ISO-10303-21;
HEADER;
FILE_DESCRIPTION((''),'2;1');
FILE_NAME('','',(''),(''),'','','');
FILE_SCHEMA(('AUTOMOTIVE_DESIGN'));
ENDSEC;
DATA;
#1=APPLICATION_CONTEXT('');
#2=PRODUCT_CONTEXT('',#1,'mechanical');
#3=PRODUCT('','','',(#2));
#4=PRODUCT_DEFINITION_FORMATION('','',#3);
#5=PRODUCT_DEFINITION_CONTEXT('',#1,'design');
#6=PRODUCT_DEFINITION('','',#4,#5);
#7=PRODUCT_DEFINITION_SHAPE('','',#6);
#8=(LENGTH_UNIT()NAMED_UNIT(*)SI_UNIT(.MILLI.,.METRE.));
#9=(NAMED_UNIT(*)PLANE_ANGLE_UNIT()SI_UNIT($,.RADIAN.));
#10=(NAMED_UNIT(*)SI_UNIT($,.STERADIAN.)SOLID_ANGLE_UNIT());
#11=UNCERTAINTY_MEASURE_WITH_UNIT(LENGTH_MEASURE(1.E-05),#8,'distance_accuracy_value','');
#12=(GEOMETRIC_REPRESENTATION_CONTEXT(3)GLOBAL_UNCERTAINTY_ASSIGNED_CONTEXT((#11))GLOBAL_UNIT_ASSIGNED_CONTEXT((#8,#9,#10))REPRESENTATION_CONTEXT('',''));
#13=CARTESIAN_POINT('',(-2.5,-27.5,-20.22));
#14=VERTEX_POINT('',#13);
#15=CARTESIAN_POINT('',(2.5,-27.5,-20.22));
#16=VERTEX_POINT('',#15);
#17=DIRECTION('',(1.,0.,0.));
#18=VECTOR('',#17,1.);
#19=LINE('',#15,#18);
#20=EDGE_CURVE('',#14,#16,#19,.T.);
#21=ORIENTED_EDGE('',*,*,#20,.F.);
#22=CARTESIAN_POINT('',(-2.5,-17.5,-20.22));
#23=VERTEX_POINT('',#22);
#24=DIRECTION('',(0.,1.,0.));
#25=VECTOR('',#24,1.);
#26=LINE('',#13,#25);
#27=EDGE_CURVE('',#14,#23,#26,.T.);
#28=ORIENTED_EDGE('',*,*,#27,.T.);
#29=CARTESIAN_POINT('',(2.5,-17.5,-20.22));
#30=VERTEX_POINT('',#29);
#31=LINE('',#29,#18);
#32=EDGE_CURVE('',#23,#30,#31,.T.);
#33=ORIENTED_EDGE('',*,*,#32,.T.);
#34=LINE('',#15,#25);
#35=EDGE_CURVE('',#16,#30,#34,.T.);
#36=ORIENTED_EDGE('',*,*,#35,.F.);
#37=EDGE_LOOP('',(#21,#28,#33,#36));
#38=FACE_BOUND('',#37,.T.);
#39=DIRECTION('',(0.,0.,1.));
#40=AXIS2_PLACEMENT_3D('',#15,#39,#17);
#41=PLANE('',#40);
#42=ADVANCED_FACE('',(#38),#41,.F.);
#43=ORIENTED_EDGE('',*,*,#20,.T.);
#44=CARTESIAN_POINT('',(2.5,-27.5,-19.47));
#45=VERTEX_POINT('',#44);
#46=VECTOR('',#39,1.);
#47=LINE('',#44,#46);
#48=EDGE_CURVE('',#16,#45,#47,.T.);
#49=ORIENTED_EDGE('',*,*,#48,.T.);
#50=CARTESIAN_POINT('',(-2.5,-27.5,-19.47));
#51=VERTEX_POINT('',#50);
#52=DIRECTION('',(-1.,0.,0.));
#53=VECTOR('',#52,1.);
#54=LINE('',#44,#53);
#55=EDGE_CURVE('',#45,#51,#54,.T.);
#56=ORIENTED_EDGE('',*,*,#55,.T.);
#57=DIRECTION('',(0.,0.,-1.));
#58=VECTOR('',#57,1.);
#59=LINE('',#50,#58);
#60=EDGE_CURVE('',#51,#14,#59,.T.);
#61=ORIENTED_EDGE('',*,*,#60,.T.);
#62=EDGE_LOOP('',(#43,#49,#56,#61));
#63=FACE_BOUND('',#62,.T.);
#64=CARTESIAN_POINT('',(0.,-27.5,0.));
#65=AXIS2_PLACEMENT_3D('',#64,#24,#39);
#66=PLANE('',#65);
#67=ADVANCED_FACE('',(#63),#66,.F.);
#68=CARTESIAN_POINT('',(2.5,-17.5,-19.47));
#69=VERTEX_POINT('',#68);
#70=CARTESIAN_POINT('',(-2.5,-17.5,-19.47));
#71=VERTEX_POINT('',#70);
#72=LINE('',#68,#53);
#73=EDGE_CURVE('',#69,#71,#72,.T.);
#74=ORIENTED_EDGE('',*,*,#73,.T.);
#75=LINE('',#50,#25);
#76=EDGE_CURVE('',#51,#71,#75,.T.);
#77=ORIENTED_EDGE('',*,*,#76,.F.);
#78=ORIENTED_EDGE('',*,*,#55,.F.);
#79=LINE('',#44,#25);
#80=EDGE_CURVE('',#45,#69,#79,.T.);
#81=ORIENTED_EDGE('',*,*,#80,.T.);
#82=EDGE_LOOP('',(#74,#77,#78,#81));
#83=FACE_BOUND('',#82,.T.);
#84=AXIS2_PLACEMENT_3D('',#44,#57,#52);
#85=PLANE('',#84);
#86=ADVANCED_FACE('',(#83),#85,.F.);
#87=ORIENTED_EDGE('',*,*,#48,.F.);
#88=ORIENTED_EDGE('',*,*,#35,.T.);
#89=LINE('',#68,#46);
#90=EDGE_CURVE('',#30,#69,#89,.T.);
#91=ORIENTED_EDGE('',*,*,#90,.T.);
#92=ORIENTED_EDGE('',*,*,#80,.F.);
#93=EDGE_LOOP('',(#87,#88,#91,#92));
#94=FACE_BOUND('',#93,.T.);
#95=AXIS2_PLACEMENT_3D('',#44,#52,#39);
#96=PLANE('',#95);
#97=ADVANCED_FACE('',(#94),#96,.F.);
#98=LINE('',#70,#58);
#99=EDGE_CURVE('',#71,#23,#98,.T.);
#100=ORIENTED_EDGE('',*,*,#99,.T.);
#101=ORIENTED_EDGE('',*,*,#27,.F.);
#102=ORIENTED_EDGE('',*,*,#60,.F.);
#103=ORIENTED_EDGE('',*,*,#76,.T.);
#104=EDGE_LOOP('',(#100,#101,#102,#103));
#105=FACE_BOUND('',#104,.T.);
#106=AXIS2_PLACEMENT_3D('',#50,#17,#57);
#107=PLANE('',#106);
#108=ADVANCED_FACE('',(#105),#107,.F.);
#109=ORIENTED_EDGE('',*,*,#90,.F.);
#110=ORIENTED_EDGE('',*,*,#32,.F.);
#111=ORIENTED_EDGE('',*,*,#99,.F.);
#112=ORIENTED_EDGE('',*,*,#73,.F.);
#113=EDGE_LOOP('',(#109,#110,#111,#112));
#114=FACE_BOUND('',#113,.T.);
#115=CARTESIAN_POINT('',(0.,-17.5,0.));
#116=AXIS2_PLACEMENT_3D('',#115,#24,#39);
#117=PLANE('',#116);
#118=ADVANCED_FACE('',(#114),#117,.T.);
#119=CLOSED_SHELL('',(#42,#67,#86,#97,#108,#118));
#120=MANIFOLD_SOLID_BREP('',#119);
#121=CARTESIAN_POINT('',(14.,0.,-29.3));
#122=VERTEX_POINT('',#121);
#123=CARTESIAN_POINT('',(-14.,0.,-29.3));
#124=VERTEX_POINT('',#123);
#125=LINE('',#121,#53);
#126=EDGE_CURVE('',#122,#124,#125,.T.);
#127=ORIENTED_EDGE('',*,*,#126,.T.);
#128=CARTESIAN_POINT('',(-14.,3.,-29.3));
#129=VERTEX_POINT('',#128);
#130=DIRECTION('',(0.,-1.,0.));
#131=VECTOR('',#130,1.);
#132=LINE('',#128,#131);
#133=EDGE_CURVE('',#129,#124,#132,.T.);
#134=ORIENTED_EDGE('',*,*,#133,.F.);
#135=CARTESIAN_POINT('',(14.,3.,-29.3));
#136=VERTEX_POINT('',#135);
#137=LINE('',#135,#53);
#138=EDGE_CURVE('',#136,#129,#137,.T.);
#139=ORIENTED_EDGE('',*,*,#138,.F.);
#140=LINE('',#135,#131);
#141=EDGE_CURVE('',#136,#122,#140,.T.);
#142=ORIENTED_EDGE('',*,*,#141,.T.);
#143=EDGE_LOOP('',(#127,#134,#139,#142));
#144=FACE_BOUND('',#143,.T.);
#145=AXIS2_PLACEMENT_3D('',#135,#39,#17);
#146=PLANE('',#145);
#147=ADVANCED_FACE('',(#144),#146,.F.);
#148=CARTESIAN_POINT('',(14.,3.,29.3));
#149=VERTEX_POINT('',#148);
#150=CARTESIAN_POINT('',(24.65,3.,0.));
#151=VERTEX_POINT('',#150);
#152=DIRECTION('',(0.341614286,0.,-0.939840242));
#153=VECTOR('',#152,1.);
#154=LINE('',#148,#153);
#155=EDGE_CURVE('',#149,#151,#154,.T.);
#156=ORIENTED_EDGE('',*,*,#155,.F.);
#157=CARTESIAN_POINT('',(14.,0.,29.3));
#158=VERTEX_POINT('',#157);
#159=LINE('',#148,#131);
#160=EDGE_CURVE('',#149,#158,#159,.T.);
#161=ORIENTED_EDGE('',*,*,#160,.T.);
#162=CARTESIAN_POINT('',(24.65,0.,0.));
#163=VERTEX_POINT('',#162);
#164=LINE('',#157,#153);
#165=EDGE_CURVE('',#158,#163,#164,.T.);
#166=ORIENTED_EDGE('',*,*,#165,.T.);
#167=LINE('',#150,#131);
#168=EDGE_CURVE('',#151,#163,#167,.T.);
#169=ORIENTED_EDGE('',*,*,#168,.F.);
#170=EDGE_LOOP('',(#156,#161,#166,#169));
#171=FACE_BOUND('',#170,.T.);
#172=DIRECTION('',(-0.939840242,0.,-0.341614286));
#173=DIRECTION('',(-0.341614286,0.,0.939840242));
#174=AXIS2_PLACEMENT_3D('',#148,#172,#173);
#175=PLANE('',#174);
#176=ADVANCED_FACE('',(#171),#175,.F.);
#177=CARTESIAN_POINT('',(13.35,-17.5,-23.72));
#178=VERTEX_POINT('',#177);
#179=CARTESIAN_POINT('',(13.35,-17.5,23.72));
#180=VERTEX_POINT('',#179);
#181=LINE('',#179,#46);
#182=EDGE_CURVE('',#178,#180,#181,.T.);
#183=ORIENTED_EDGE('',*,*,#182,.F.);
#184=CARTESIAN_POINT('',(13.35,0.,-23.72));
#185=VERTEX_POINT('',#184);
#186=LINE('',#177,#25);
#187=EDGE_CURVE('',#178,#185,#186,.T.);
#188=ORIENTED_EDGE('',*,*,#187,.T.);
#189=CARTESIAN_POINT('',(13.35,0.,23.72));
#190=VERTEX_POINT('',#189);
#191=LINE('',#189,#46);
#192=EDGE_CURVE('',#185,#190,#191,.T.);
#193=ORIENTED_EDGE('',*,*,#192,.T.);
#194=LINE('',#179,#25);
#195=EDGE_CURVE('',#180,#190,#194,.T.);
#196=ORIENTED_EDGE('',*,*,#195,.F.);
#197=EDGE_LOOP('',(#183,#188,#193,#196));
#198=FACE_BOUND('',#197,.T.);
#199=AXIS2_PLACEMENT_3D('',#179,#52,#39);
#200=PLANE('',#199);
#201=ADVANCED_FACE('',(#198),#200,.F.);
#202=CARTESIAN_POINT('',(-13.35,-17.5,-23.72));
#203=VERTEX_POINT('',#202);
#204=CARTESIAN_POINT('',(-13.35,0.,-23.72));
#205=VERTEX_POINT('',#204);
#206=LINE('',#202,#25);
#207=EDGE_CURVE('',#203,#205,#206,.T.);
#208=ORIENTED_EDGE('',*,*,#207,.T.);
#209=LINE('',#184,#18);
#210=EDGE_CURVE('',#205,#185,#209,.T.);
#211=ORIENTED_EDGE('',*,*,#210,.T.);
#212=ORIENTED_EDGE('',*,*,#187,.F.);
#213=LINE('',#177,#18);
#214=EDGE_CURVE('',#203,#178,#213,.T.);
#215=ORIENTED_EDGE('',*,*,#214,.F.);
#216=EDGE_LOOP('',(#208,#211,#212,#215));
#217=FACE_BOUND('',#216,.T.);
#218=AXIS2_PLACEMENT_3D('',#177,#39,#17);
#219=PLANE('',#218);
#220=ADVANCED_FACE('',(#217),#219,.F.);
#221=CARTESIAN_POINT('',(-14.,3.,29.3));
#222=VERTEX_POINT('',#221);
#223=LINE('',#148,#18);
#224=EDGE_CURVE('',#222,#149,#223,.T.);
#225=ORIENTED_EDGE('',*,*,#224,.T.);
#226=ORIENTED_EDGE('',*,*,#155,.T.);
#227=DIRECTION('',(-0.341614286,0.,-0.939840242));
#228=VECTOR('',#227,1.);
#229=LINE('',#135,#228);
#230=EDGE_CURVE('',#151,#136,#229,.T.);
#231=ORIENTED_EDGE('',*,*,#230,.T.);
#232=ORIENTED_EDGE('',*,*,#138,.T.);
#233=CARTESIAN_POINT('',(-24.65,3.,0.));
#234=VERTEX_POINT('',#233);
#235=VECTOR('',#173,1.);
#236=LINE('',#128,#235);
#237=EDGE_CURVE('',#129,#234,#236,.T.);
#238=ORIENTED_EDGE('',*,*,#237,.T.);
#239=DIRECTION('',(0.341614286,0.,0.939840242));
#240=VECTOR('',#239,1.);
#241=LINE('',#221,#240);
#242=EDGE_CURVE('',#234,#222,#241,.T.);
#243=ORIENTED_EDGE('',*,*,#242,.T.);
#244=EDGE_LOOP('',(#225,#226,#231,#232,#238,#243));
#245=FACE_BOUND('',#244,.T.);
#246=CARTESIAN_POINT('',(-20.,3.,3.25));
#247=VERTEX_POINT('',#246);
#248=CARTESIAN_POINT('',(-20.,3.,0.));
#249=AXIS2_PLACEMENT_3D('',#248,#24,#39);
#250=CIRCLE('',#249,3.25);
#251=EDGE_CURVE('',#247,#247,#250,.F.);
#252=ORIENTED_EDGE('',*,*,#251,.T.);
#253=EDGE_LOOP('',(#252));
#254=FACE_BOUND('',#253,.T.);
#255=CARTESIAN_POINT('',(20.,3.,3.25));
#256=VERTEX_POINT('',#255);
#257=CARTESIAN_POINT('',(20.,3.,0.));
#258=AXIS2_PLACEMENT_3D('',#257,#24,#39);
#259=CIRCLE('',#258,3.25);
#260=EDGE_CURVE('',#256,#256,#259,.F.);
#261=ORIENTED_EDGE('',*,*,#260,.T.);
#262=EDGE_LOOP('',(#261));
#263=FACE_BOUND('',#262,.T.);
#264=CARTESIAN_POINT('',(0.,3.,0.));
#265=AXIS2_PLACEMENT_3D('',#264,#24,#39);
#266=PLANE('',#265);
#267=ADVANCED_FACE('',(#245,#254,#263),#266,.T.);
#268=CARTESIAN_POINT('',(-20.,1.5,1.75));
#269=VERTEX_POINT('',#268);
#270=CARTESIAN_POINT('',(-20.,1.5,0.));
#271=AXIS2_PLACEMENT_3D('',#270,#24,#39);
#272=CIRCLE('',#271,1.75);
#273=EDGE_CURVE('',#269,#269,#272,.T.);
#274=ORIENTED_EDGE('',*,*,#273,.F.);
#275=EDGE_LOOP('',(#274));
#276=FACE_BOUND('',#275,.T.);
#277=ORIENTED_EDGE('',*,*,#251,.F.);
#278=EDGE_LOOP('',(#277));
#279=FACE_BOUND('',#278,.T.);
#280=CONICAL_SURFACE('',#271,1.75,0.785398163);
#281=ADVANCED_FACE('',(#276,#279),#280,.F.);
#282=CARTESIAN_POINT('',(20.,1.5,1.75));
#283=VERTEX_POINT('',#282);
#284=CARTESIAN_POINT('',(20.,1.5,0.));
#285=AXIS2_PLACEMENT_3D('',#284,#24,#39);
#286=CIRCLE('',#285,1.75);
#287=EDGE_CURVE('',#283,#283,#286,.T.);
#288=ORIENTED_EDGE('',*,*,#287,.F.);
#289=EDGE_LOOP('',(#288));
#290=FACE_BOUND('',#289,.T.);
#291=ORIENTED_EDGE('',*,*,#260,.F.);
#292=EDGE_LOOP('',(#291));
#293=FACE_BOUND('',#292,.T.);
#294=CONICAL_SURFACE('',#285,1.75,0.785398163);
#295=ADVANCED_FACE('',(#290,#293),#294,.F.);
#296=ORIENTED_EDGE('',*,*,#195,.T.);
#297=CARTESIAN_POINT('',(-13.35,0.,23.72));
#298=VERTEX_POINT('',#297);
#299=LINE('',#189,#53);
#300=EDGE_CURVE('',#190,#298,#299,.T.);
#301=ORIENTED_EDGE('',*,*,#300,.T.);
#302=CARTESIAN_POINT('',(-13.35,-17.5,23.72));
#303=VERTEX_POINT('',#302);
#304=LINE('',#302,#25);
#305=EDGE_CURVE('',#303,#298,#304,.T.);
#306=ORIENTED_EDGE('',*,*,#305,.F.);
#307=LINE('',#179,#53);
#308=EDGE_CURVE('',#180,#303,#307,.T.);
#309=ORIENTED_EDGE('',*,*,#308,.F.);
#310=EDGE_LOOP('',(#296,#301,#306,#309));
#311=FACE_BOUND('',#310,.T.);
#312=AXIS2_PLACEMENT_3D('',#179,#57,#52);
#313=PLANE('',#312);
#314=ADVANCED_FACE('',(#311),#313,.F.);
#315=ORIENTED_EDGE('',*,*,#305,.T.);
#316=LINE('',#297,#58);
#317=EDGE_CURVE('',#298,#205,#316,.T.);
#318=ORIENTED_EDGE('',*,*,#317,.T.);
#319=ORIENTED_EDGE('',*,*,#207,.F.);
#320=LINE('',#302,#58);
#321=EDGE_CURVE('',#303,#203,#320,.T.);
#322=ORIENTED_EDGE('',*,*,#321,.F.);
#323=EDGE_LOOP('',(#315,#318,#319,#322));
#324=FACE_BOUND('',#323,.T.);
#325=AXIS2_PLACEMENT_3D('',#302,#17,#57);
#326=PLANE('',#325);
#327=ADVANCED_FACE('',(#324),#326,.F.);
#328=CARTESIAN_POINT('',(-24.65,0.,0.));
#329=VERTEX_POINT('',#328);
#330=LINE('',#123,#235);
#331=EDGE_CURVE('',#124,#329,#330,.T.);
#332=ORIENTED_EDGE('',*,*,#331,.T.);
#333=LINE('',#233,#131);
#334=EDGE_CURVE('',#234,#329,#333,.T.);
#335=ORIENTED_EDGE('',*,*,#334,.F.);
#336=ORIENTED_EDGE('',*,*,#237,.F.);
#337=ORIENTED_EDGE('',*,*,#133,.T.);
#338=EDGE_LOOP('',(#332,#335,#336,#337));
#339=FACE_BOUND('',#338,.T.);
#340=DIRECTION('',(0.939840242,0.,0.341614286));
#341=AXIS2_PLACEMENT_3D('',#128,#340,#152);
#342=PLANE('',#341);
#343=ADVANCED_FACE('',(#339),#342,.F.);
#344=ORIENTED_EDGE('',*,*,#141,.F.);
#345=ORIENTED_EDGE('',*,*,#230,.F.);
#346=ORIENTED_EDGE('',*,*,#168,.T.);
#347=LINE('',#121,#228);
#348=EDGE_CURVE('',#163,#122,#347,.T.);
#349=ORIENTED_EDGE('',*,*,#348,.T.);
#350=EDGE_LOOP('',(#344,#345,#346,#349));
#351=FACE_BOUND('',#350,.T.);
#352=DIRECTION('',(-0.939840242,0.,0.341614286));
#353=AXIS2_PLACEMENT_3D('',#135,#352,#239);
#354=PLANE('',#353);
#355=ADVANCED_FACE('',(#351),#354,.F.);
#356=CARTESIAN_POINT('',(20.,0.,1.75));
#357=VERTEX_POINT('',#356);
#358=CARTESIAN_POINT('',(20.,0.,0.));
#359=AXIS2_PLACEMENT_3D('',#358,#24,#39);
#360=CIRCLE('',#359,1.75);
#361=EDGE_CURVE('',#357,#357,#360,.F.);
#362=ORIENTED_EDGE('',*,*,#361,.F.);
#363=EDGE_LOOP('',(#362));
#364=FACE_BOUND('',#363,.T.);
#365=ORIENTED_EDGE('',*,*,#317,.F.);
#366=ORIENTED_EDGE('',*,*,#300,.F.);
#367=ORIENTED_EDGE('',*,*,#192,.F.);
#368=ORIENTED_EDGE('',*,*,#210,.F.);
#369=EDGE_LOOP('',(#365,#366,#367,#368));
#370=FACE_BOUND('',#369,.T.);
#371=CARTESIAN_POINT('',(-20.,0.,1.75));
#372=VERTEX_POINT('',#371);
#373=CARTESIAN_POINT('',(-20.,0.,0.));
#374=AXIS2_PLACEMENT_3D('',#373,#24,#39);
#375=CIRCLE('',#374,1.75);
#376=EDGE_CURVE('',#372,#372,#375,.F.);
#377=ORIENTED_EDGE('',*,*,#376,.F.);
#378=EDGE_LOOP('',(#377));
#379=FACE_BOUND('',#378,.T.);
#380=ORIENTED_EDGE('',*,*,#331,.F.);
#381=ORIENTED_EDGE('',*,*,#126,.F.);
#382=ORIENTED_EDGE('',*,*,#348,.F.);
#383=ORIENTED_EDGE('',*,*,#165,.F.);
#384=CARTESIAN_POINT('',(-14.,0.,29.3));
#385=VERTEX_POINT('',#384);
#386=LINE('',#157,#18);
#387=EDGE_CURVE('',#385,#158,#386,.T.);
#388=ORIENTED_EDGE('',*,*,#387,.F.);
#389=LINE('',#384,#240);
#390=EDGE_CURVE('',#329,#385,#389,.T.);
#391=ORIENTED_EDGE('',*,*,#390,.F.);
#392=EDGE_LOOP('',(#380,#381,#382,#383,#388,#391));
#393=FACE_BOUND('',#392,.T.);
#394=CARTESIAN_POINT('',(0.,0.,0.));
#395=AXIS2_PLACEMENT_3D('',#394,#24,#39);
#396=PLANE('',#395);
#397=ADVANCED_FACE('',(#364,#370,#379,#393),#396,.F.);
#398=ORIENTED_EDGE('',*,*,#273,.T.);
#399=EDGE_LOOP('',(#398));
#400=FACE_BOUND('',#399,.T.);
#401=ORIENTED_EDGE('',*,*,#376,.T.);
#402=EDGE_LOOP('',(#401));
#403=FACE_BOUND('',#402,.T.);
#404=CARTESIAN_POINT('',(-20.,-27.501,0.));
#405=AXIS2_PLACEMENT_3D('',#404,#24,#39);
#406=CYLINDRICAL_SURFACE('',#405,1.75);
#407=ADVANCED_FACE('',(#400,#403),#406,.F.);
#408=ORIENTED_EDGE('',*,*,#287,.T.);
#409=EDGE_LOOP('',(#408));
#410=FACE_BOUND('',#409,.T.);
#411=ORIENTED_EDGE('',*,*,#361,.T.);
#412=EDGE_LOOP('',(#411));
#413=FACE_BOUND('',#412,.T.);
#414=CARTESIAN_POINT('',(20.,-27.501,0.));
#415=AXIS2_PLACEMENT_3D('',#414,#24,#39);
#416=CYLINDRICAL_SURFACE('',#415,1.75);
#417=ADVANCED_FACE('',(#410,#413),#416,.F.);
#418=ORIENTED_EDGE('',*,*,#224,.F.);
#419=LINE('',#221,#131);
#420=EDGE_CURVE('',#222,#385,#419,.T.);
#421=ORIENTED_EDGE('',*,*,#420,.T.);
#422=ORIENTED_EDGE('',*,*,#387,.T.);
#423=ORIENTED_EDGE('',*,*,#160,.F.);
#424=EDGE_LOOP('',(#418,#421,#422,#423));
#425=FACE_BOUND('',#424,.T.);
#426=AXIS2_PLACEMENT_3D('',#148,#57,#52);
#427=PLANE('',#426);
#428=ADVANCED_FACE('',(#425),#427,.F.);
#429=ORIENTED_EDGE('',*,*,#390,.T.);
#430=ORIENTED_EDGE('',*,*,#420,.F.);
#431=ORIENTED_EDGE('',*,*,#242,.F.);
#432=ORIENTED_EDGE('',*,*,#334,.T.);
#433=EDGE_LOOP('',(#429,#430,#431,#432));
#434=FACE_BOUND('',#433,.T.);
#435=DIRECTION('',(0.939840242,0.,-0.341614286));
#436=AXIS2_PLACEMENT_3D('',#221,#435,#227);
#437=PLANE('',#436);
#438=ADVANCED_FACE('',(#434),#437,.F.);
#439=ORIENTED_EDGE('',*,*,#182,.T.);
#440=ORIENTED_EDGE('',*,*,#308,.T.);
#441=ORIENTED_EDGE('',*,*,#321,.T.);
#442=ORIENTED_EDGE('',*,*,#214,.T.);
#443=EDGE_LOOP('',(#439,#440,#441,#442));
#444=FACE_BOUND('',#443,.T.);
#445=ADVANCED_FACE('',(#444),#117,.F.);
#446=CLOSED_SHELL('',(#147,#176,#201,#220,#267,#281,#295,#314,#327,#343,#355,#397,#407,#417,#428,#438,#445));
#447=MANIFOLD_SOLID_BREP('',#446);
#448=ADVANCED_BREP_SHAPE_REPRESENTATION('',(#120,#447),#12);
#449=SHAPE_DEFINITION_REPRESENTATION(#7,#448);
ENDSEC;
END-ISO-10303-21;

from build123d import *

# Parameters (mm, degrees)
BOSS_EXTRUDE1_DEPTH = 3
SKETCH2_W           = 26.7
SKETCH2_H           = 47.44
BOSS_EXTRUDE2_DEPTH = 17.5
SKETCH3_W           = 5
SKETCH3_H           = 0.75
BOSS_EXTRUDE3_DEPTH = 10
SKETCH4_R           = 1.75
CUT_EXTRUDE1_DEPTH  = 3
CHAMFER1_SIZE       = 1.5


with BuildPart() as part:
    # Sketch1 → Boss-Extrude1 (new body)
    with BuildSketch(Plane(origin=(0, 0, 0), x_dir=(1, 0, 0), z_dir=(0, 1, 0))):
        Polygon((14, 29.3), (-14, 29.3), (-24.65, 0), (-14, -29.3), (14, -29.3), (24.65, 0), align=None)
    extrude(amount=BOSS_EXTRUDE1_DEPTH)

    # Sketch2 → Boss-Extrude2 (add)
    with BuildSketch(Plane.XZ):
        Rectangle(SKETCH2_W, SKETCH2_H)
    extrude(amount=BOSS_EXTRUDE2_DEPTH)

    # Sketch4 → Cut-Extrude1 (cut)
    with BuildSketch(Plane(origin=(0, 3, 0), x_dir=(1, 0, 0), z_dir=(0, 1, 0))):
        with Locations((20, 0)):
            Circle(SKETCH4_R)
        with Locations((-20, 0)):
            Circle(SKETCH4_R)
    extrude(amount=-CUT_EXTRUDE1_DEPTH, mode=Mode.SUBTRACT)

    # Chamfer1
    chamfer1_edges = [part.edges().sort_by_distance(p)[0] for p in [
        (18.25, 3, 0),
        (-21.75, 3, 0),
    ]]
    chamfer(chamfer1_edges, length=CHAMFER1_SIZE)


with BuildPart() as body_2:
    # Sketch3 → Boss-Extrude3 (new body)
    with BuildSketch(Plane.XZ.offset(17.5)):
        with Locations((0, -19.845)):
            Rectangle(SKETCH3_W, SKETCH3_H)
    extrude(amount=BOSS_EXTRUDE3_DEPTH)


solid = Compound([part.part, body_2.part])
